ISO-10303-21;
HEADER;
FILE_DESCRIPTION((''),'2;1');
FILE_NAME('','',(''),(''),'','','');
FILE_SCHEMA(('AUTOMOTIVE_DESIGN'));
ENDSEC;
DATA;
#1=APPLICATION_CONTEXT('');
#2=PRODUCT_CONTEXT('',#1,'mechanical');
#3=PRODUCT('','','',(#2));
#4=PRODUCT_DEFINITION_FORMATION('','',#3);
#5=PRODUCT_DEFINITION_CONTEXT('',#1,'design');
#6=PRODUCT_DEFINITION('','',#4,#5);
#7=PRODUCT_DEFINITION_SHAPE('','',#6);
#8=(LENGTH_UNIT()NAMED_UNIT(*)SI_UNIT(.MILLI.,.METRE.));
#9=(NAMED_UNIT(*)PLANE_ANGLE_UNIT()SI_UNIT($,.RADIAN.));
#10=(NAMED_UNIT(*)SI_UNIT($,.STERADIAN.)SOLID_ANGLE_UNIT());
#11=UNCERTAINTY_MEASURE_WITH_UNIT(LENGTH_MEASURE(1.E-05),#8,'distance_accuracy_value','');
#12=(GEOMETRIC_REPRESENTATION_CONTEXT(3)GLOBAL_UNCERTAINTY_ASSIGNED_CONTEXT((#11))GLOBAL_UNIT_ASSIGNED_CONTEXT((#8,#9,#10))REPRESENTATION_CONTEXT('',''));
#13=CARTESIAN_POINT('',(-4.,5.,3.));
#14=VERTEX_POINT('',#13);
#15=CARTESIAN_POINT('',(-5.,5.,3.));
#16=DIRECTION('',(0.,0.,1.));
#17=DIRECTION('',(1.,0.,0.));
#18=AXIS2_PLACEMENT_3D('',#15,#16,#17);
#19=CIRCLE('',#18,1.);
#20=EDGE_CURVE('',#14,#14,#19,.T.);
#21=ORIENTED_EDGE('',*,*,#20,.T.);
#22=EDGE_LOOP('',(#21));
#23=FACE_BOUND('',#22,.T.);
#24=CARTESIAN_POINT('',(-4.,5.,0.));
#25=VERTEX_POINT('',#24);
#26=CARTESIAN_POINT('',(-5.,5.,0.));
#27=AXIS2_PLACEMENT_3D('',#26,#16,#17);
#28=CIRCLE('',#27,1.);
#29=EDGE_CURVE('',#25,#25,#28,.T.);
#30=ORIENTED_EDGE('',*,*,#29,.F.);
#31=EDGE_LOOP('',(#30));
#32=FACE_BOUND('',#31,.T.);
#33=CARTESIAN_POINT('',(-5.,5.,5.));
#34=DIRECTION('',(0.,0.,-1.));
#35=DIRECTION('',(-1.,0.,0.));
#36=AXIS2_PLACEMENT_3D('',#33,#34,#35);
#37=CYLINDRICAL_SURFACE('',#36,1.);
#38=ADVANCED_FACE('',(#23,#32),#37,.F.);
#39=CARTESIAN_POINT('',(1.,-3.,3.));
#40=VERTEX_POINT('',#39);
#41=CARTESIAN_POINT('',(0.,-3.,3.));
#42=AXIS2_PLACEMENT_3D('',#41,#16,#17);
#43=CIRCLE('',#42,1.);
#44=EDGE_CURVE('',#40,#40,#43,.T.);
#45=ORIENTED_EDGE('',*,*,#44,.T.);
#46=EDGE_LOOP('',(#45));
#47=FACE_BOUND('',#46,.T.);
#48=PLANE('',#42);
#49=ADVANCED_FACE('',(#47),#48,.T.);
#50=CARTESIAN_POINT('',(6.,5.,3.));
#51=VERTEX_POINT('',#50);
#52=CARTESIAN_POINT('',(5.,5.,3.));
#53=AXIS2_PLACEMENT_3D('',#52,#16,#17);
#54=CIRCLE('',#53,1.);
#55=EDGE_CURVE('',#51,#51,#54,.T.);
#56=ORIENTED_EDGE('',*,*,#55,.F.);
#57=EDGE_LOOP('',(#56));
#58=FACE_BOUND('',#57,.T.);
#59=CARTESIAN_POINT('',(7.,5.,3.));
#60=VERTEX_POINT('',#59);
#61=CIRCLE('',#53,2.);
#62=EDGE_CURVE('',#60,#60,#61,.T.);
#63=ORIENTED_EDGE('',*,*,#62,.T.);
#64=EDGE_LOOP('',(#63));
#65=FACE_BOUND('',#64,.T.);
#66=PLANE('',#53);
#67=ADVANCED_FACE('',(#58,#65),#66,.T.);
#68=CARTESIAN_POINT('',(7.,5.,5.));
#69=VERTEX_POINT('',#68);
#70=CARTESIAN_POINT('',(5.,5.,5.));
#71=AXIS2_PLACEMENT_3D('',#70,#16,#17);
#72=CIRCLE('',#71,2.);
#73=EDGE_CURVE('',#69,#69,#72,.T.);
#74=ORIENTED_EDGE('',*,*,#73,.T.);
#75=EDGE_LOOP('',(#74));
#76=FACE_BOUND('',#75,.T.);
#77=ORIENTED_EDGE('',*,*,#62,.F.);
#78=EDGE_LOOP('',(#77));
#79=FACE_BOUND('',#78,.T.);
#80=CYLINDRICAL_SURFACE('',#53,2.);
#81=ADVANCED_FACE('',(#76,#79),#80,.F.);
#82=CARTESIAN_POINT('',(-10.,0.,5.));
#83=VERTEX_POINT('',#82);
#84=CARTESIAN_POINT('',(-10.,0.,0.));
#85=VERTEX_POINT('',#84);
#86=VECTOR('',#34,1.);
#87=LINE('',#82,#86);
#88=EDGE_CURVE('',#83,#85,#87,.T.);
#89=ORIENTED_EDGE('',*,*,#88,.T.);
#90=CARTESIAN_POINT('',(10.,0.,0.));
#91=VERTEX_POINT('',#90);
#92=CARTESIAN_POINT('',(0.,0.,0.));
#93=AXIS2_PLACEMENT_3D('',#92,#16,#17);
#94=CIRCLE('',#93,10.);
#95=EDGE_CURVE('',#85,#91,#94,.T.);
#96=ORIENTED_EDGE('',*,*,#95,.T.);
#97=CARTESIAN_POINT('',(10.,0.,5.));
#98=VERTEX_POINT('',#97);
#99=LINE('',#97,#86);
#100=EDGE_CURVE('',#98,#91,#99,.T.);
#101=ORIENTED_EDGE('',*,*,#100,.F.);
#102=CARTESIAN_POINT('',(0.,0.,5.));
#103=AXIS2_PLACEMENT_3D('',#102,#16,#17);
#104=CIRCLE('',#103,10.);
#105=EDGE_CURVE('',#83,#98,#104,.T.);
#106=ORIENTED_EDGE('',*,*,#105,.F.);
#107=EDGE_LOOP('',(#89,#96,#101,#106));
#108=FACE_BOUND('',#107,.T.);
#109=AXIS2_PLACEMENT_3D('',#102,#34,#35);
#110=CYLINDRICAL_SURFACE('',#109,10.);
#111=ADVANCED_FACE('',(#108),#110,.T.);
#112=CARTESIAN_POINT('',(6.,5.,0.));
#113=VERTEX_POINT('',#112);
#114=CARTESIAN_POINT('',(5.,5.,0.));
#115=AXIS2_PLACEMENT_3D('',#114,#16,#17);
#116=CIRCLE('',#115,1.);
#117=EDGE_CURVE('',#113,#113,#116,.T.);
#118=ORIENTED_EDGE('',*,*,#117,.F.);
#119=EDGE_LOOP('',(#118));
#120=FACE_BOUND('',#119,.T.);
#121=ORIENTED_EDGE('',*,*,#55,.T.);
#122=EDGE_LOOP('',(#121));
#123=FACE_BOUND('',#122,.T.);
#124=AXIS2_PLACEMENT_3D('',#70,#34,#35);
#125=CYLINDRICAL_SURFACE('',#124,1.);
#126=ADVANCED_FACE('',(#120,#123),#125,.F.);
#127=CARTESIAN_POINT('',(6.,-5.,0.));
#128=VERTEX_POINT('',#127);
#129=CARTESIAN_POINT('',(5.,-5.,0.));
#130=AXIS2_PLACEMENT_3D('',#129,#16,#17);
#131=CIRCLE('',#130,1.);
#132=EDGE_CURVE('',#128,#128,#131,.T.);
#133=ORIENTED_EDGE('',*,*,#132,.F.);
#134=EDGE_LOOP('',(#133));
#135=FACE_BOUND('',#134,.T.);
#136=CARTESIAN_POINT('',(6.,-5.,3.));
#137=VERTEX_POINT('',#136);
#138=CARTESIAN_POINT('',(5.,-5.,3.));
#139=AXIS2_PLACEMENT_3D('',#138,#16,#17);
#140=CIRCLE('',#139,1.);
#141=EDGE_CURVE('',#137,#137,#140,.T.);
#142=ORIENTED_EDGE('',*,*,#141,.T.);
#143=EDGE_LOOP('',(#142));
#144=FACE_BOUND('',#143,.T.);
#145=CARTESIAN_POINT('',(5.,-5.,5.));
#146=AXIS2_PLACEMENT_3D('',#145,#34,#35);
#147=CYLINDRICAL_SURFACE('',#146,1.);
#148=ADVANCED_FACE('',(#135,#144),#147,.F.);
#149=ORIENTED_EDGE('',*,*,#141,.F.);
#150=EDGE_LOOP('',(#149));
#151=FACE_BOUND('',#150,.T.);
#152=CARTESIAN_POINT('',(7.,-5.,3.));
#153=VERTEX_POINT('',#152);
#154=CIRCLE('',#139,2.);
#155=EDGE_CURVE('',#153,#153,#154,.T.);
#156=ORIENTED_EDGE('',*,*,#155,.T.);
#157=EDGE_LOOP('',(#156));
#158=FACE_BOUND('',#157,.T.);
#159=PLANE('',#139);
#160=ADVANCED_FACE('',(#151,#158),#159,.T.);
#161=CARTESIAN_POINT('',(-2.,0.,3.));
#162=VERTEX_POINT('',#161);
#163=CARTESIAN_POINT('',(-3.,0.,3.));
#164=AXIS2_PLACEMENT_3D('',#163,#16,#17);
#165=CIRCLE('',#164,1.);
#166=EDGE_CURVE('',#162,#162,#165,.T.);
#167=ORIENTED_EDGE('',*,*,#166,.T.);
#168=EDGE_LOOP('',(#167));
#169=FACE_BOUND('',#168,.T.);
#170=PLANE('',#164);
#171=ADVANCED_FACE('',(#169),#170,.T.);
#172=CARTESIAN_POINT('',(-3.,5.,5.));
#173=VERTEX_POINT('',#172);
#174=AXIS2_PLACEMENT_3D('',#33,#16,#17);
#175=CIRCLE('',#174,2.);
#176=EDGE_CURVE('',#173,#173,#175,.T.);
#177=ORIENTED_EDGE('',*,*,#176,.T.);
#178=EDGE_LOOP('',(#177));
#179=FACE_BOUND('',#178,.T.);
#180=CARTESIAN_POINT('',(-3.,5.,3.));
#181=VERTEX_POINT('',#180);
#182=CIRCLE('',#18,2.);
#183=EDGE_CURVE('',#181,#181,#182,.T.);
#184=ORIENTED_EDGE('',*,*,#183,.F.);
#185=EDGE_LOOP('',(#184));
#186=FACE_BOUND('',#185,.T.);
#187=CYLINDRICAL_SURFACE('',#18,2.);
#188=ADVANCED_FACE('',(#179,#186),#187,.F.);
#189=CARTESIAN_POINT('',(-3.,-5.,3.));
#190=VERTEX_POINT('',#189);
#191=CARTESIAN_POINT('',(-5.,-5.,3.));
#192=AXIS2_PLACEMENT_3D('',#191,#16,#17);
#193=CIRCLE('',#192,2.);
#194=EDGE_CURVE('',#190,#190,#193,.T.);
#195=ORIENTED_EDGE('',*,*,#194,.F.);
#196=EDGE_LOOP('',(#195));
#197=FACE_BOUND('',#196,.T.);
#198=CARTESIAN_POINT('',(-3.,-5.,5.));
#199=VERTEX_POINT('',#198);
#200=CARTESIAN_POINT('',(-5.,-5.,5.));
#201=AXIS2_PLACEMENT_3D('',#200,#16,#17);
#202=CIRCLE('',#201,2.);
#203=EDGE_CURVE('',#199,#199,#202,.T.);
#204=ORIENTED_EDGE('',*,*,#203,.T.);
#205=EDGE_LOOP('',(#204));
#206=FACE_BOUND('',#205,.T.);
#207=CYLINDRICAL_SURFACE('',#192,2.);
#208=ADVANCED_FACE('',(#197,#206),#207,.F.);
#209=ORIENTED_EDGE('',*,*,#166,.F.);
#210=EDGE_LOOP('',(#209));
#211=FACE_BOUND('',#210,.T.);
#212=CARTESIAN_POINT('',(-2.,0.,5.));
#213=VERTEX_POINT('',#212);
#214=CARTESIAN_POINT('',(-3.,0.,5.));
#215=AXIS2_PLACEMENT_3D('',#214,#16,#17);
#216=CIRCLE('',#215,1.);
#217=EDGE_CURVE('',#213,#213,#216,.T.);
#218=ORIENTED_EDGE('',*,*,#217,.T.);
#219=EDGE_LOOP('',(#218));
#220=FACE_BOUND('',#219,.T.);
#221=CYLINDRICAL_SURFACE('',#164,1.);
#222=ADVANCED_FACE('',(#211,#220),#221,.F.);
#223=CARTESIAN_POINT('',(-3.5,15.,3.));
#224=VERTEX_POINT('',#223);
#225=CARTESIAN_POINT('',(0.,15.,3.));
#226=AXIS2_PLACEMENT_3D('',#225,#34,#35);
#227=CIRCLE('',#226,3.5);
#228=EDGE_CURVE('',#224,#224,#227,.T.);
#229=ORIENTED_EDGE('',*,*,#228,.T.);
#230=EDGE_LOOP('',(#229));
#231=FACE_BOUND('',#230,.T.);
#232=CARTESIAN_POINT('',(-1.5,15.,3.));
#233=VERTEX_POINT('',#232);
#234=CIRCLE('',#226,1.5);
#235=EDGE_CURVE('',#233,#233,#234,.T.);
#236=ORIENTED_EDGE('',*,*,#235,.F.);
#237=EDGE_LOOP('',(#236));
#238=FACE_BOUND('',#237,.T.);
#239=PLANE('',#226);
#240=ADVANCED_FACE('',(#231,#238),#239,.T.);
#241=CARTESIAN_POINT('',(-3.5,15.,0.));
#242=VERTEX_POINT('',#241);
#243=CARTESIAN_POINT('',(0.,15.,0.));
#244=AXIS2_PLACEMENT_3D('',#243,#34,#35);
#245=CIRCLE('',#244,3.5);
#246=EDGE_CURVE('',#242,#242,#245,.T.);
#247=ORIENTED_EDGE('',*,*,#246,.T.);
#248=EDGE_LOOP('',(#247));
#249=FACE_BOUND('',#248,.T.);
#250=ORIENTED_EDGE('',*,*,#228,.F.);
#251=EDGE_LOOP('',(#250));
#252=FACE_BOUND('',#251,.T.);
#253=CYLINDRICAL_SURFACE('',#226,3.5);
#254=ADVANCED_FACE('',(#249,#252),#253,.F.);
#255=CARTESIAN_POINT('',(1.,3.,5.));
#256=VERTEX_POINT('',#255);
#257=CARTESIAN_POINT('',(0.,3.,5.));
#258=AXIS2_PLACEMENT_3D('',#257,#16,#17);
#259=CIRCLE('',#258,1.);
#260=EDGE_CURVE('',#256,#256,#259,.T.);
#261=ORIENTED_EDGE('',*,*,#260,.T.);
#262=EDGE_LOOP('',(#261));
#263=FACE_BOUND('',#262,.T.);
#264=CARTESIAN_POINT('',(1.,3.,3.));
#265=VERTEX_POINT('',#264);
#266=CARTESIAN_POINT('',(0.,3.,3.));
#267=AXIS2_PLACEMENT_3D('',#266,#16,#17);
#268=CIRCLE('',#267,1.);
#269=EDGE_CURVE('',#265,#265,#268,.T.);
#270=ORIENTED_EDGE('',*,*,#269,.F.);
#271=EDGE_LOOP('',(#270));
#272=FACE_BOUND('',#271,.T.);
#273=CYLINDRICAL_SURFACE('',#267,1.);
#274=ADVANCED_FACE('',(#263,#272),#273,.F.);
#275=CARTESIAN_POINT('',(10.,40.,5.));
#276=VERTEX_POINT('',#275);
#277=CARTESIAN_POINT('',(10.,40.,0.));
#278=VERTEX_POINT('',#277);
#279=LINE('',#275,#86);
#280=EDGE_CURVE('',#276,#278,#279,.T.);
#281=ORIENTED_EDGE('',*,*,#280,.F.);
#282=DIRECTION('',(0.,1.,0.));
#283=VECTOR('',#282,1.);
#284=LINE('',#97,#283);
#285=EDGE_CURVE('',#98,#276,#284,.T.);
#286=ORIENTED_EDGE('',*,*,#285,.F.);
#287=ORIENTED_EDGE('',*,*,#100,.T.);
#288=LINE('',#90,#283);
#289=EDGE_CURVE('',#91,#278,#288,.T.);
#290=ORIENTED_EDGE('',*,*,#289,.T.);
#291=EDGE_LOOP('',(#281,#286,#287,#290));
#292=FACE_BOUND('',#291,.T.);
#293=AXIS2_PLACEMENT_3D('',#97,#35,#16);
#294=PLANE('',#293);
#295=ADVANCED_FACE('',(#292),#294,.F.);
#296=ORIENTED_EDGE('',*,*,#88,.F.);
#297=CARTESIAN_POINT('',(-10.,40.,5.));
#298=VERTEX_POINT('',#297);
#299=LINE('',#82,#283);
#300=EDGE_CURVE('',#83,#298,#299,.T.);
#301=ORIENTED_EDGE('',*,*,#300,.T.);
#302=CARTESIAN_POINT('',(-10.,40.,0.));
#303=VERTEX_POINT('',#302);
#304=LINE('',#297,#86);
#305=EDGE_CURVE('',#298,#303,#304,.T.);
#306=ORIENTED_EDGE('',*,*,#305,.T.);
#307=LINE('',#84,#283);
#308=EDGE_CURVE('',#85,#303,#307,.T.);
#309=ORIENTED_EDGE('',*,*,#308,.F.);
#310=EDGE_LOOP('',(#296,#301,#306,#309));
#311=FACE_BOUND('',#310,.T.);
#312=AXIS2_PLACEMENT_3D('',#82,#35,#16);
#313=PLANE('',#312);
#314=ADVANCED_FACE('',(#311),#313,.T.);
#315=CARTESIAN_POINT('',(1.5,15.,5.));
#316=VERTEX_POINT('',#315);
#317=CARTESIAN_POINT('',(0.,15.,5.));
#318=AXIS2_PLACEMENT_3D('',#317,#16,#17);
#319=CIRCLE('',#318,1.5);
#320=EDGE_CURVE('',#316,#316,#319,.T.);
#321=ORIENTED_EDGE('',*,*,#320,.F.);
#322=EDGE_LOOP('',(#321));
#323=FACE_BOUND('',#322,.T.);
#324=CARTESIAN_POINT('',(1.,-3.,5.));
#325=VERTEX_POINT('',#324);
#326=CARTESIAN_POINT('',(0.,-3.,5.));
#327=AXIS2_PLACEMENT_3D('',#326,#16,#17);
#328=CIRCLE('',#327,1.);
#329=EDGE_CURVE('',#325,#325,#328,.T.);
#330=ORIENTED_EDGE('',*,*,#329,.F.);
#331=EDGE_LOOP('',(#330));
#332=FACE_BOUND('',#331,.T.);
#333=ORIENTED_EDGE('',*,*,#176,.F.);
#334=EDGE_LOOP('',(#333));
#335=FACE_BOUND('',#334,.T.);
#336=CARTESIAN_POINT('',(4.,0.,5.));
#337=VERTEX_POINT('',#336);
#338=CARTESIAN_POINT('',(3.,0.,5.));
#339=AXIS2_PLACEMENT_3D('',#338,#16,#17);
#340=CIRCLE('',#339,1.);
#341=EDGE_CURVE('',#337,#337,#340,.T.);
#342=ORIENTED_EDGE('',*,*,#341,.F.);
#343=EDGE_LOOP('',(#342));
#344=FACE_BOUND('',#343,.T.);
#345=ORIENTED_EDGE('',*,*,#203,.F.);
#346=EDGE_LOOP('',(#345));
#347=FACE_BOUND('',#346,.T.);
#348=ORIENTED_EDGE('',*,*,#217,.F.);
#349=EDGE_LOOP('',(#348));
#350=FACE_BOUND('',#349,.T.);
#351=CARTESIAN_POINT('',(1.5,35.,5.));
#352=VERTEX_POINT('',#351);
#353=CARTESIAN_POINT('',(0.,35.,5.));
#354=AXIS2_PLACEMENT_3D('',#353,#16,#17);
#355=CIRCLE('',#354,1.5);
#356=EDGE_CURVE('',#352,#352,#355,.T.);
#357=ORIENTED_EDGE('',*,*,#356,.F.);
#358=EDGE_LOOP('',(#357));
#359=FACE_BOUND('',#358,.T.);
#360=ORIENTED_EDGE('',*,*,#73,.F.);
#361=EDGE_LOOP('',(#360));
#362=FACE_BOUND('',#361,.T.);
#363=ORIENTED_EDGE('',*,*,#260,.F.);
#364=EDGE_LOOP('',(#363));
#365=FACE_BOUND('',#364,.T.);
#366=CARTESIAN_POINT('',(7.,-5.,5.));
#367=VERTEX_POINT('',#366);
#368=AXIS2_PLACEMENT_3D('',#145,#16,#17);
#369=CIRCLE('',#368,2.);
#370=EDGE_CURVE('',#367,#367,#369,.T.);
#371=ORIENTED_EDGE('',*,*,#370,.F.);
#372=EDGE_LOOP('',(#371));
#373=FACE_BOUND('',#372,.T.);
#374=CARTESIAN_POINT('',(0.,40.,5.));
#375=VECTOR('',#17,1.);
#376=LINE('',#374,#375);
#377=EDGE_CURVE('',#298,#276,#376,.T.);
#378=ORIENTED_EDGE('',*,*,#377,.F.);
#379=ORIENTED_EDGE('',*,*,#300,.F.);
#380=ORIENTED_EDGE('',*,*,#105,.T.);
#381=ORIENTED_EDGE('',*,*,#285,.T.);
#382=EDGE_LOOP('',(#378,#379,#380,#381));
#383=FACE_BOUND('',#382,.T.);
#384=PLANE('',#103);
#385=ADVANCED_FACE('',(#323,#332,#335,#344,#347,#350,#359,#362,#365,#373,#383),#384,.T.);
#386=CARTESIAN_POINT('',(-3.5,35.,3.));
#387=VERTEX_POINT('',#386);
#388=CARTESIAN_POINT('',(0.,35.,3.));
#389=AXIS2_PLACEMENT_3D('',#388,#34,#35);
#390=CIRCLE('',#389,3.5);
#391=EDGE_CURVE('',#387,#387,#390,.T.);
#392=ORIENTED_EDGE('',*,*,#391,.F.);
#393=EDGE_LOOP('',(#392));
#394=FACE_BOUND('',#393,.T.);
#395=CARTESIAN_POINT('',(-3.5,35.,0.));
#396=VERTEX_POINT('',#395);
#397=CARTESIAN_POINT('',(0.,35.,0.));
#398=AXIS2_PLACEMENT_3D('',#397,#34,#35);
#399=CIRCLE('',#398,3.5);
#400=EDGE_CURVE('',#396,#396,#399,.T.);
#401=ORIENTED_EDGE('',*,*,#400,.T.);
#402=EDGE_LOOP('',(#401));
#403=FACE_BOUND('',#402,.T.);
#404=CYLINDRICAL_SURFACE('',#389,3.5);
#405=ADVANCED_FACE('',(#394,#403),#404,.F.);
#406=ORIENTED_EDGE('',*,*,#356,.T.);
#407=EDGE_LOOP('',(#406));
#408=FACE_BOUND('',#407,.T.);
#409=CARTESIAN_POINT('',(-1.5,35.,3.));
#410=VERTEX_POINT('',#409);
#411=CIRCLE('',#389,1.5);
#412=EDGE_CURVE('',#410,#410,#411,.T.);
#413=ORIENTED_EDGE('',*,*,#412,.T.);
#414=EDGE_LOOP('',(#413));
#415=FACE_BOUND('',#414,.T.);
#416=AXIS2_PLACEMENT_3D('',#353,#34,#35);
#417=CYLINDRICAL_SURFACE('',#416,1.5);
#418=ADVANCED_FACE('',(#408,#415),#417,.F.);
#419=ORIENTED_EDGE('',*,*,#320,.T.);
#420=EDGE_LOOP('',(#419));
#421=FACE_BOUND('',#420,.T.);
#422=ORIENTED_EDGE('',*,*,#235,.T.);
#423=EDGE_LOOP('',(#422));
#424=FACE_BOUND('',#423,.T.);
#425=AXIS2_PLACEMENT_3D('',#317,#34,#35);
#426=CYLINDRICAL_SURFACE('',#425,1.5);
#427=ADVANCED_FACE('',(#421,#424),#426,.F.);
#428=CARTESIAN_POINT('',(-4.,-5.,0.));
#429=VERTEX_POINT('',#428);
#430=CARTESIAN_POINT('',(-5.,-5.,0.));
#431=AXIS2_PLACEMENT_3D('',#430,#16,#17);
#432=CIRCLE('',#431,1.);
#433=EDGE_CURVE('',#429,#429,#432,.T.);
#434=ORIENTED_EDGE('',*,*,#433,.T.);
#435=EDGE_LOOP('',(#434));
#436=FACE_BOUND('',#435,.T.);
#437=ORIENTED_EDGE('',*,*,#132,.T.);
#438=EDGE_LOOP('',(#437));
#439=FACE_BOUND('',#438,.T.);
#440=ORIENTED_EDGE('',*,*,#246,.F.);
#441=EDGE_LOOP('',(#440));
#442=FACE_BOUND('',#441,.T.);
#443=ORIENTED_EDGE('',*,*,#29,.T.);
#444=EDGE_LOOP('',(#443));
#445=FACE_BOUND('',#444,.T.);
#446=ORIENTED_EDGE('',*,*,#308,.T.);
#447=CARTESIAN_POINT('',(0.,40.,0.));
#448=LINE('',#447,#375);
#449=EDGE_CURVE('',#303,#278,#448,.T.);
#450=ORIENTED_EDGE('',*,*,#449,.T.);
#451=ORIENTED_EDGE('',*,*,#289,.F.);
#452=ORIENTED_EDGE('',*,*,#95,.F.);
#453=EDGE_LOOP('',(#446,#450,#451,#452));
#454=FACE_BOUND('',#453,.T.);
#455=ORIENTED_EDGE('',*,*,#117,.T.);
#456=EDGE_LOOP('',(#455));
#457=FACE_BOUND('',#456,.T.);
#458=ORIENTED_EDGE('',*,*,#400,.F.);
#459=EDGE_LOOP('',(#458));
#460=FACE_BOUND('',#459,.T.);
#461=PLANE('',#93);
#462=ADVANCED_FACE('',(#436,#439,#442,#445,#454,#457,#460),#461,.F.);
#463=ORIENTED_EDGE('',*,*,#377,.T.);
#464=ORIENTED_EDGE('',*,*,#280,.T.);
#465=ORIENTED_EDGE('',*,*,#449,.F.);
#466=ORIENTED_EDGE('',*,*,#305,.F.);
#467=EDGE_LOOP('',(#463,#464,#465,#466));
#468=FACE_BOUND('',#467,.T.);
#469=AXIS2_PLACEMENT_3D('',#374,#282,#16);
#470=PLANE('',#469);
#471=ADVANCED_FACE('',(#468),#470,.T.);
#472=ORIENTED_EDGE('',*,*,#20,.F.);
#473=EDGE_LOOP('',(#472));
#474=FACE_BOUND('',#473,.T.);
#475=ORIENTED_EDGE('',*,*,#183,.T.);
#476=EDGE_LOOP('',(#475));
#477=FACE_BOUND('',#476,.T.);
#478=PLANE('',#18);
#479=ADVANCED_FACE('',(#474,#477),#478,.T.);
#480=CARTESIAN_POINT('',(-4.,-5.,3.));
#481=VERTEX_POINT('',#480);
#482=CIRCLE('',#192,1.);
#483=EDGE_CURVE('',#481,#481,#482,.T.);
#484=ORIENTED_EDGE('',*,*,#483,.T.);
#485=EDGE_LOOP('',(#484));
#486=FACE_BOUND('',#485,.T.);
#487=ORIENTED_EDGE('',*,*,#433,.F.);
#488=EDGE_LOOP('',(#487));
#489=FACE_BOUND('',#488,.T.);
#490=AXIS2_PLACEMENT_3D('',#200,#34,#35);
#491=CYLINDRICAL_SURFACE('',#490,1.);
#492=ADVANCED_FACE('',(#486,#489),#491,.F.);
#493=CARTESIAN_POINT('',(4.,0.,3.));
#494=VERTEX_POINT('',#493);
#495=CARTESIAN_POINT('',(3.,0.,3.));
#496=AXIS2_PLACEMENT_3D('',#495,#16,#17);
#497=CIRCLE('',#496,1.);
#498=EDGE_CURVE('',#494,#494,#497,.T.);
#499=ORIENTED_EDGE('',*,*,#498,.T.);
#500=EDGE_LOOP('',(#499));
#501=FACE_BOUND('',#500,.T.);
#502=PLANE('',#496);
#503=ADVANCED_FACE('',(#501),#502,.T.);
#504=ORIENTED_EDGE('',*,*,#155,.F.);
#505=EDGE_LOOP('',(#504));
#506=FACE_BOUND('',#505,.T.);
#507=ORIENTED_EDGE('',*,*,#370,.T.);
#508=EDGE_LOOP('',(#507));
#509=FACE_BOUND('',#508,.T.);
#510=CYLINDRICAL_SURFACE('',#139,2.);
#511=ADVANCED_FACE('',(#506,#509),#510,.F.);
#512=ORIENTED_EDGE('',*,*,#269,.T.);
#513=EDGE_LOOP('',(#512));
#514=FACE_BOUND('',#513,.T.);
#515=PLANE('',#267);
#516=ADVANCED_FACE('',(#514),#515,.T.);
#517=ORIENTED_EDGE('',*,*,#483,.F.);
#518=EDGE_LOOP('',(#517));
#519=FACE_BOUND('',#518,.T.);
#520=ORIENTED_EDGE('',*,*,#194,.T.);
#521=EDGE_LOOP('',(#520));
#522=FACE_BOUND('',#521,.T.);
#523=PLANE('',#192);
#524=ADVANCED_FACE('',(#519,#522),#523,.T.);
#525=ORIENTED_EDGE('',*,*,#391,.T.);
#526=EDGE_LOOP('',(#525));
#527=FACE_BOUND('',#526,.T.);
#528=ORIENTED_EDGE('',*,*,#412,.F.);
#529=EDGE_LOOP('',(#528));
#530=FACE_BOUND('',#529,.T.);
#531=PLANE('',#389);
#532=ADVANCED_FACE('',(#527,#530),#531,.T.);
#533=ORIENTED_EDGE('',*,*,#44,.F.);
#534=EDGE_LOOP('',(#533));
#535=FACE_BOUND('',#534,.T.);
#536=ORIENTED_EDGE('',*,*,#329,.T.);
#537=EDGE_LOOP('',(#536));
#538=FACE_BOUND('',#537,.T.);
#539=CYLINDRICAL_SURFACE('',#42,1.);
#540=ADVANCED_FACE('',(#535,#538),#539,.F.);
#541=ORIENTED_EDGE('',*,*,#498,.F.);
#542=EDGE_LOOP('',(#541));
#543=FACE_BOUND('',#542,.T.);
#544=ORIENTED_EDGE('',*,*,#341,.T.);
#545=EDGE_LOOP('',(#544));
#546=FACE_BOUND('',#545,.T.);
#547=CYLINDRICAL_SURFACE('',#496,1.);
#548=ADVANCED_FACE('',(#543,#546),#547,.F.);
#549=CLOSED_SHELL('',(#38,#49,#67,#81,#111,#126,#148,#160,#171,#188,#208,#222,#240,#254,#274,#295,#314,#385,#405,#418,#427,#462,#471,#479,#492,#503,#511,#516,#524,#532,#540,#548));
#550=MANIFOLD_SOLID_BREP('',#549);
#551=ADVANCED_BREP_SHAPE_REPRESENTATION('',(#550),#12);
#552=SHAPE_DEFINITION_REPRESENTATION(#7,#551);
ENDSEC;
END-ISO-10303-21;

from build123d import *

# Parameters (mm, degrees)
SKETCH2_R           = 10
SKETCH2_R_2         = 1
SKETCH2_R_3         = 1.5
BOSS_EXTRUDE1_DEPTH = 5
SKETCH5_R           = 2
SKETCH5_R_2         = 1
CUT_EXTRUDE2_DEPTH  = 2
SKETCH6_R           = 3.5
CUT_EXTRUDE3_DEPTH  = 3


with BuildPart() as part:
    # Sketch2 → Boss-Extrude1 (new body)
    # profile 1 of 2: a face of its own
    with BuildSketch(Plane.XY):
        Circle(SKETCH2_R)
        with Locations((5, -5)):
            Circle(SKETCH2_R_2, mode=Mode.SUBTRACT)
        with Locations((-5, -5)):
            Circle(SKETCH2_R_2, mode=Mode.SUBTRACT)
        with Locations((5, 5)):
            Circle(SKETCH2_R_2, mode=Mode.SUBTRACT)
        with Locations((-5, 5)):
            Circle(SKETCH2_R_2, mode=Mode.SUBTRACT)
    # profile 2 of 2: a face of its own
    with BuildSketch(Plane.XY):
        with BuildLine():
            Line((-10, 40), (-10, 0))
            ThreePointArc((-10, 0), (0, 10), (10, 0))
            Line((10, 0), (10, 40))
            Line((10, 40), (-10, 40))
        make_face()
        with Locations((0, 15)):
            Circle(SKETCH2_R_3, mode=Mode.SUBTRACT)
        with Locations((0, 35)):
            Circle(SKETCH2_R_3, mode=Mode.SUBTRACT)
    extrude(amount=BOSS_EXTRUDE1_DEPTH)

    # Sketch5 → Cut-Extrude2 (cut)
    with BuildSketch(Plane.XY.offset(5)):
        with Locations((-5, 5)):
            Circle(SKETCH5_R)
        with Locations((5, 5)):
            Circle(SKETCH5_R)
        with Locations((5, -5)):
            Circle(SKETCH5_R)
        with Locations((-5, -5)):
            Circle(SKETCH5_R)
        with Locations((0, 3)):
            Circle(SKETCH5_R_2)
        with Locations((-3, 0)):
            Circle(SKETCH5_R_2)
        with Locations((3, 0)):
            Circle(SKETCH5_R_2)
        with Locations((0, -3)):
            Circle(SKETCH5_R_2)
    extrude(amount=-CUT_EXTRUDE2_DEPTH, mode=Mode.SUBTRACT)

    # Sketch6 → Cut-Extrude3 (cut)
    with BuildSketch(Plane(origin=(0, 0, 0), x_dir=(-1, 0, 0), z_dir=(0, 0, -1))):
        with Locations((0, 35)):
            Circle(SKETCH6_R)
        with Locations((0, 15)):
            Circle(SKETCH6_R)
    extrude(amount=-CUT_EXTRUDE3_DEPTH, mode=Mode.SUBTRACT)


solid = part.part
